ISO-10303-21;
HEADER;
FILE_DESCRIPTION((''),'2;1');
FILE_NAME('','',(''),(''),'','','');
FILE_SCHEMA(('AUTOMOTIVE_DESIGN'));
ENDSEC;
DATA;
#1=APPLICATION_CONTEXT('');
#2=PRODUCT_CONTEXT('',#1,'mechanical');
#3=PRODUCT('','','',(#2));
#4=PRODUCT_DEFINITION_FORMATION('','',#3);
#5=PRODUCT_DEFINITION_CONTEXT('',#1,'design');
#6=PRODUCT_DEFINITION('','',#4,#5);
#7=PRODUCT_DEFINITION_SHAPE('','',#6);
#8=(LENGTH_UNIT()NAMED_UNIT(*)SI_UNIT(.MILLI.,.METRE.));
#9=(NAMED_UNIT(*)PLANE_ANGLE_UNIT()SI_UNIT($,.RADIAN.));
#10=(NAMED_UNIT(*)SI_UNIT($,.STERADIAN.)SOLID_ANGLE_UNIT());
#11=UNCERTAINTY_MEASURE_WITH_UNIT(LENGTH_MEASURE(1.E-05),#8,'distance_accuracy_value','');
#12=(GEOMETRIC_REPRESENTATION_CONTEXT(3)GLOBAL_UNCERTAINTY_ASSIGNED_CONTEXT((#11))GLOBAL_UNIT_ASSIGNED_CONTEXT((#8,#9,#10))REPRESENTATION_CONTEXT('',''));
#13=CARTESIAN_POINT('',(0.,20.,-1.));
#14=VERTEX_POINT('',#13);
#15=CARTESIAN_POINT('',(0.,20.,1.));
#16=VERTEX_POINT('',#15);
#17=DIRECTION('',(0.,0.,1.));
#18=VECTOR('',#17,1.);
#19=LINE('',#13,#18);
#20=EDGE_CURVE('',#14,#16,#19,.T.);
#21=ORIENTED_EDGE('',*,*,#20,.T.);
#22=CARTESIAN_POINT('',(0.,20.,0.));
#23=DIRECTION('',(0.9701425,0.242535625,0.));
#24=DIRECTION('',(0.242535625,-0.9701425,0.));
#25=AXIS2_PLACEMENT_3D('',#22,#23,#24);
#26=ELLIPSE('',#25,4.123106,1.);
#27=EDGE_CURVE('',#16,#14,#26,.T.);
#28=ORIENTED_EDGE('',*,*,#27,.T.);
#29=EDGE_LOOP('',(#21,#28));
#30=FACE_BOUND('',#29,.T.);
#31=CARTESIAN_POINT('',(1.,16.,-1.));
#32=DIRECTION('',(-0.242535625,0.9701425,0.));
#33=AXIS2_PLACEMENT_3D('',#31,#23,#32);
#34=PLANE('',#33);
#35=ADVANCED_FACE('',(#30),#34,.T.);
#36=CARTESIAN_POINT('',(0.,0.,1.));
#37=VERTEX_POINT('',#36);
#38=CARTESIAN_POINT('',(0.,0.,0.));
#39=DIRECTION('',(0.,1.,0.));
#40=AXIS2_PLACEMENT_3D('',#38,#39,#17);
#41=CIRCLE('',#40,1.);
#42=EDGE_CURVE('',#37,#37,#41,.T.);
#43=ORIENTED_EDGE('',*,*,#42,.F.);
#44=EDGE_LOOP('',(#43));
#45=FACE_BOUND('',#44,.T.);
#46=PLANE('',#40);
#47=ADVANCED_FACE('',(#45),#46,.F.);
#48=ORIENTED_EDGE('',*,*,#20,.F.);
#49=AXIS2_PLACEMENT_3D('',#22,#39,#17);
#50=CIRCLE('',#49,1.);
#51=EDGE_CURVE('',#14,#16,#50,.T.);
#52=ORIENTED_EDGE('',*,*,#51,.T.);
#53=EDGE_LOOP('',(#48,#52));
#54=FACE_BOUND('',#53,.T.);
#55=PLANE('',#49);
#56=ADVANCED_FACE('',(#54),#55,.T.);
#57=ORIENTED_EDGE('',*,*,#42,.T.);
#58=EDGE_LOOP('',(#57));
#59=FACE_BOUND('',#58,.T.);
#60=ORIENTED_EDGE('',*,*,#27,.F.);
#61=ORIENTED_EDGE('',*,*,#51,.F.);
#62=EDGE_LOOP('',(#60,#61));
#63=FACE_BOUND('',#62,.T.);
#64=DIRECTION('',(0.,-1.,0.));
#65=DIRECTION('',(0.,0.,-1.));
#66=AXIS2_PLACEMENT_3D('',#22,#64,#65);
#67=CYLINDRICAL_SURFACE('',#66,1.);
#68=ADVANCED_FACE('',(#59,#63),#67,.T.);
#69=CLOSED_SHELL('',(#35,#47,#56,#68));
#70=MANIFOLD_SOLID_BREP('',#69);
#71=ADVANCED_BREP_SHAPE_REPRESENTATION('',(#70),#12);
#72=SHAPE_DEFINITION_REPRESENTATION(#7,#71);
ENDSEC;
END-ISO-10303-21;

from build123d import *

# Parameters (mm, degrees)
SKETCH_1_R               = 1
EXTRUDE_1_DEPTH          = 20
CUT_EXTRUDE_1_DEPTH      = 21.049937656
CUT_EXTRUDE_1_DEPTH_BACK = 21.049937656


with BuildPart() as part:
    # 草图1 → 凸台-拉伸1 (new body)
    with BuildSketch(Plane(origin=(0, 0, 0), x_dir=(1, 0, 0), z_dir=(0, 1, 0))):
        with Locations(Location((0, 0, 0), (0, 0, 270))):
            Circle(SKETCH_1_R)
    extrude(amount=EXTRUDE_1_DEPTH)

    # 草图2 → 切除-拉伸1 (cut, two sides: drawn at the far end of the back side and taken through both)
    with BuildSketch(Plane.XY.offset(-CUT_EXTRUDE_1_DEPTH_BACK)):
        Polygon((1, 16), (1, 20), (0, 20), align=None)
    extrude(amount=CUT_EXTRUDE_1_DEPTH + CUT_EXTRUDE_1_DEPTH_BACK, mode=Mode.SUBTRACT)


solid = part.part
